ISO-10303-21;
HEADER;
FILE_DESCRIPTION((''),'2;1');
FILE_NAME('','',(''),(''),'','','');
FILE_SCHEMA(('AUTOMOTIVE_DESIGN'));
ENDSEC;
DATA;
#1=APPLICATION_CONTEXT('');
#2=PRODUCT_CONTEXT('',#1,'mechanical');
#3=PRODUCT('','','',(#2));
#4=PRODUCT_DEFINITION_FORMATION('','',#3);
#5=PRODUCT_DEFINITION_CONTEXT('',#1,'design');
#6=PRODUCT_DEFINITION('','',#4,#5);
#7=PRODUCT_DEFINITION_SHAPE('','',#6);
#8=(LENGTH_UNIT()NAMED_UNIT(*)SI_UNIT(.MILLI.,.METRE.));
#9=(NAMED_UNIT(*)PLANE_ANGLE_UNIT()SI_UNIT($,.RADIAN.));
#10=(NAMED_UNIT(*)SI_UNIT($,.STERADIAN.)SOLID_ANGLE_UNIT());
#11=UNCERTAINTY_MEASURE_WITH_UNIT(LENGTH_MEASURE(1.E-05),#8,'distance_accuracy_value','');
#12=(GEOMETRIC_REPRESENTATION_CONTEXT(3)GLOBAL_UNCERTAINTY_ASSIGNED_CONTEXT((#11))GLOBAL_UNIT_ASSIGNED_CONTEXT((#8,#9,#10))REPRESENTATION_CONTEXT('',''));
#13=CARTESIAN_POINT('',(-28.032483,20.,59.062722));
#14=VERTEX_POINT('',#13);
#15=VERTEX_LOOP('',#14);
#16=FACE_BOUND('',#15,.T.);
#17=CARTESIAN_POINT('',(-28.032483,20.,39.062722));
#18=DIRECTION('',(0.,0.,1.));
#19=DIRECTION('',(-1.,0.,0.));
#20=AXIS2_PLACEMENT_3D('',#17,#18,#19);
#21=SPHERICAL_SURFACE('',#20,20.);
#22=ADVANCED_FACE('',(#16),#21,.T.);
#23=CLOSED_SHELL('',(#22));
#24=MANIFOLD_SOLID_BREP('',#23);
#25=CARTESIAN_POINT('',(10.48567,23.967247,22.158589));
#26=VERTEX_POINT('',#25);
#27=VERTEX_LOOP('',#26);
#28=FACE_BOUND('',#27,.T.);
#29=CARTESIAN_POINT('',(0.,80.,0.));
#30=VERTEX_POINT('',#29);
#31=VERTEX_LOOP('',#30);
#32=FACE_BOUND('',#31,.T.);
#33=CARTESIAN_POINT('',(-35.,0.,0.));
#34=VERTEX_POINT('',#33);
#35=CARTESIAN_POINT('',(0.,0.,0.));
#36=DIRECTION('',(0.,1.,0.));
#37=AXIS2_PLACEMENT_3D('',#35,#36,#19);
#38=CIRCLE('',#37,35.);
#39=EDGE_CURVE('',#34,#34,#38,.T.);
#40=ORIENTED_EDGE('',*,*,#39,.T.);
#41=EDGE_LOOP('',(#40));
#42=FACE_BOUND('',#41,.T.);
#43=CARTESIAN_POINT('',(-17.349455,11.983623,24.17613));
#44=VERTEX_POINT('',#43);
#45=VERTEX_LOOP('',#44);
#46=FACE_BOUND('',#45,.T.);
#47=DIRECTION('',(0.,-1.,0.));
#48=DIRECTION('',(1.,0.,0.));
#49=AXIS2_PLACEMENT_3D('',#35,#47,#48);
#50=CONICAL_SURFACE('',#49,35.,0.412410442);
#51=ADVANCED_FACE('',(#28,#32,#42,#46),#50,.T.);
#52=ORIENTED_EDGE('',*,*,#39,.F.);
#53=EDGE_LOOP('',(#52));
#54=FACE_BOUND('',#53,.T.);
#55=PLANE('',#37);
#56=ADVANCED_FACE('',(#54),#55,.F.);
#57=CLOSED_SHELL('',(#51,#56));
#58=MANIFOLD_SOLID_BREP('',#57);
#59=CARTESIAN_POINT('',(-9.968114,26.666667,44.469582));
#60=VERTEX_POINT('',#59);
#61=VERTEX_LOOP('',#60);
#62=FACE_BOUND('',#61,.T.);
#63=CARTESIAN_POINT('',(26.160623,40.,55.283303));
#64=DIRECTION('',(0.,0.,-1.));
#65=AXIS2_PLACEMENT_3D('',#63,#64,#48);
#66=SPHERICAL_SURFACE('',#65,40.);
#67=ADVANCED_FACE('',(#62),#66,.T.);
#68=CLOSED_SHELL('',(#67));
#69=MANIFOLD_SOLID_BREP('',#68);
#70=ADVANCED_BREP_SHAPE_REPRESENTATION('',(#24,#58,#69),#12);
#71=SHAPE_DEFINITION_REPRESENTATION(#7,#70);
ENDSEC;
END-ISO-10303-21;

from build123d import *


with BuildPart() as part:
    # Sketch1 → Revolve1 (revolve)
    with BuildSketch(Plane.XY):
        Polygon((0, 0), (35, 0), (0, 80), align=None)
    revolve(axis=Axis((0, 80, 0), (0, -1, 0)))


with BuildPart() as body_2:
    # Sketch3 → Revolve2 (revolve)
    with BuildSketch(Plane(origin=(0, 40, 0), x_dir=(-1, 0, 0), z_dir=(0, 1, 0))):
        with BuildLine():
            Line((-26.160622991, 15.28330317), (-26.160622991, 95.28330317))
            ThreePointArc((-26.160622991, 95.28330317), (-66.160622991, 55.28330317), (-26.160622991, 15.28330317))
        make_face()
    revolve(axis=Axis((26.160622991, 40, 0), (0, 0, 1)))


with BuildPart() as body_3:
    # Sketch7 → Revolve3 (revolve)
    with BuildSketch(Plane(origin=(0, 20, 0), x_dir=(-1, 0, 0), z_dir=(0, 1, 0))):
        with BuildLine():
            Line((28.032483073, 59.062721952), (28.032483073, 19.062721952))
            ThreePointArc((28.032483073, 19.062721952), (48.032483073, 39.062721952), (28.032483073, 59.062721952))
        make_face()
    revolve(axis=Axis((-28.032483073, 20, 59.062721952), (0, 0, -1)))


solid = Compound([part.part, body_2.part, body_3.part])
